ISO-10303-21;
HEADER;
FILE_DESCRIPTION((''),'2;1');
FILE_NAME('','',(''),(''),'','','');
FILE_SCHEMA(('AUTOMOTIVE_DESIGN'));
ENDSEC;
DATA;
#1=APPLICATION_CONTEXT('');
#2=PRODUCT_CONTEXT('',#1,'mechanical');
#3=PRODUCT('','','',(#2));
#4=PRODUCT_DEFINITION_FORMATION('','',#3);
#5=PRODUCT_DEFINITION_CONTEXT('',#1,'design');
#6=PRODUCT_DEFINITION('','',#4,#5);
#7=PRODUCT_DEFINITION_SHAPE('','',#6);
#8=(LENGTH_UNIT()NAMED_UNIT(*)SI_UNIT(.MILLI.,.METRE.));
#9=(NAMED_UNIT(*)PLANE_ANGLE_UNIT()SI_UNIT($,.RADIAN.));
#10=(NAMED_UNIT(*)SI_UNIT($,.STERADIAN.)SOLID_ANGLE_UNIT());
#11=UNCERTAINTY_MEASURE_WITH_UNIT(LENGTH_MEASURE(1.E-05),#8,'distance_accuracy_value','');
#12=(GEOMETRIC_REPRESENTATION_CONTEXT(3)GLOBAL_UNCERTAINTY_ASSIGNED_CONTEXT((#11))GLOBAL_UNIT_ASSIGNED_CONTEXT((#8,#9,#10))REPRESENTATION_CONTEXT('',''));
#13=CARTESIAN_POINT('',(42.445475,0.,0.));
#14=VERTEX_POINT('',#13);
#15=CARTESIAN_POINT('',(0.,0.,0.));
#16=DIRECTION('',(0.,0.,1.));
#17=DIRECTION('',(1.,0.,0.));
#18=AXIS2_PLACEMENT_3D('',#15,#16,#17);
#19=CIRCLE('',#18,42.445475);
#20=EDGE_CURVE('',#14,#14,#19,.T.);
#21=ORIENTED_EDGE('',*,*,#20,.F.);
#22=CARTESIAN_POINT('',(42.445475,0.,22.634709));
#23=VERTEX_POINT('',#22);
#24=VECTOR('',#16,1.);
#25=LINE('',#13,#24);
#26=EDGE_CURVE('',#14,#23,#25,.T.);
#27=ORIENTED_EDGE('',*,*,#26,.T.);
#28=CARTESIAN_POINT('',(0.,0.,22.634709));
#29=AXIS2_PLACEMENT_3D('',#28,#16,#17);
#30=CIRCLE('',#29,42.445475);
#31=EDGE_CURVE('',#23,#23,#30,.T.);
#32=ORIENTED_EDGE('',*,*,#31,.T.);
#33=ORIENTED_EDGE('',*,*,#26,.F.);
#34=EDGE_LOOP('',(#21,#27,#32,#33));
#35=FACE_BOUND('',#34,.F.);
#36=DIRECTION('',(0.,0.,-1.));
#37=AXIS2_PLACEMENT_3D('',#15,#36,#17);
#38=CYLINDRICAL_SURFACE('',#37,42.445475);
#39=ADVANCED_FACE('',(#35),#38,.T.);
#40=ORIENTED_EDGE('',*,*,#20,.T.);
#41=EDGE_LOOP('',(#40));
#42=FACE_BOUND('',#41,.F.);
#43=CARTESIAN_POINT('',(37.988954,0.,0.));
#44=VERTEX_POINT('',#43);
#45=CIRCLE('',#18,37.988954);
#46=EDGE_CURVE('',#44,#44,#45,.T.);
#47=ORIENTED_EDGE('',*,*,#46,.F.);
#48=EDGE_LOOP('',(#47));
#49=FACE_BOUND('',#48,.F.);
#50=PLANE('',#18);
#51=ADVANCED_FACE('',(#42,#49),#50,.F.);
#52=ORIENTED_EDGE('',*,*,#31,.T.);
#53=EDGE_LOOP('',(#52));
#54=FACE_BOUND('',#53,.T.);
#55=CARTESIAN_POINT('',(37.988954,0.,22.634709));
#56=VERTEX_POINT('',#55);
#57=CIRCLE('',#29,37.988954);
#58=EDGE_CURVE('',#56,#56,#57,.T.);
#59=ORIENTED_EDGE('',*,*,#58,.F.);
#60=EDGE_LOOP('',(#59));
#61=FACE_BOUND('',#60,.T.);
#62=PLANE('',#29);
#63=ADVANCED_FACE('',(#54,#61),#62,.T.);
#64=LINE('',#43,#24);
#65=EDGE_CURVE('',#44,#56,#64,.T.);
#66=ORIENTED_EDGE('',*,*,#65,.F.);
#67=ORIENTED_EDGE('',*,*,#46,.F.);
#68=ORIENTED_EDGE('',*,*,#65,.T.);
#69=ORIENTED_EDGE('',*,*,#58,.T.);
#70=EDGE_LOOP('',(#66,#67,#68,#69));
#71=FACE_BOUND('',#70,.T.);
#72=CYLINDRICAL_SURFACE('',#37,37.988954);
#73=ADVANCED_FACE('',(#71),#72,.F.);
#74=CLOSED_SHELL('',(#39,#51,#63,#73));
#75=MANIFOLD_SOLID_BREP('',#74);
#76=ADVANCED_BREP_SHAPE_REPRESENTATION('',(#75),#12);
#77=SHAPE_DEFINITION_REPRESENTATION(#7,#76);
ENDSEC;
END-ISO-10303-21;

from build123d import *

# Parameters (mm, degrees)
F0_R     = 42.445475
F0_R_2   = 37.988954
F1_DEPTH = 22.634709


with BuildPart() as f1:
    # F0 (on Top) → F1 (new body)
    with BuildSketch(Plane.XY):
        Circle(F0_R)
        Circle(F0_R_2, mode=Mode.SUBTRACT)
    extrude(amount=F1_DEPTH)


solid = f1.part
